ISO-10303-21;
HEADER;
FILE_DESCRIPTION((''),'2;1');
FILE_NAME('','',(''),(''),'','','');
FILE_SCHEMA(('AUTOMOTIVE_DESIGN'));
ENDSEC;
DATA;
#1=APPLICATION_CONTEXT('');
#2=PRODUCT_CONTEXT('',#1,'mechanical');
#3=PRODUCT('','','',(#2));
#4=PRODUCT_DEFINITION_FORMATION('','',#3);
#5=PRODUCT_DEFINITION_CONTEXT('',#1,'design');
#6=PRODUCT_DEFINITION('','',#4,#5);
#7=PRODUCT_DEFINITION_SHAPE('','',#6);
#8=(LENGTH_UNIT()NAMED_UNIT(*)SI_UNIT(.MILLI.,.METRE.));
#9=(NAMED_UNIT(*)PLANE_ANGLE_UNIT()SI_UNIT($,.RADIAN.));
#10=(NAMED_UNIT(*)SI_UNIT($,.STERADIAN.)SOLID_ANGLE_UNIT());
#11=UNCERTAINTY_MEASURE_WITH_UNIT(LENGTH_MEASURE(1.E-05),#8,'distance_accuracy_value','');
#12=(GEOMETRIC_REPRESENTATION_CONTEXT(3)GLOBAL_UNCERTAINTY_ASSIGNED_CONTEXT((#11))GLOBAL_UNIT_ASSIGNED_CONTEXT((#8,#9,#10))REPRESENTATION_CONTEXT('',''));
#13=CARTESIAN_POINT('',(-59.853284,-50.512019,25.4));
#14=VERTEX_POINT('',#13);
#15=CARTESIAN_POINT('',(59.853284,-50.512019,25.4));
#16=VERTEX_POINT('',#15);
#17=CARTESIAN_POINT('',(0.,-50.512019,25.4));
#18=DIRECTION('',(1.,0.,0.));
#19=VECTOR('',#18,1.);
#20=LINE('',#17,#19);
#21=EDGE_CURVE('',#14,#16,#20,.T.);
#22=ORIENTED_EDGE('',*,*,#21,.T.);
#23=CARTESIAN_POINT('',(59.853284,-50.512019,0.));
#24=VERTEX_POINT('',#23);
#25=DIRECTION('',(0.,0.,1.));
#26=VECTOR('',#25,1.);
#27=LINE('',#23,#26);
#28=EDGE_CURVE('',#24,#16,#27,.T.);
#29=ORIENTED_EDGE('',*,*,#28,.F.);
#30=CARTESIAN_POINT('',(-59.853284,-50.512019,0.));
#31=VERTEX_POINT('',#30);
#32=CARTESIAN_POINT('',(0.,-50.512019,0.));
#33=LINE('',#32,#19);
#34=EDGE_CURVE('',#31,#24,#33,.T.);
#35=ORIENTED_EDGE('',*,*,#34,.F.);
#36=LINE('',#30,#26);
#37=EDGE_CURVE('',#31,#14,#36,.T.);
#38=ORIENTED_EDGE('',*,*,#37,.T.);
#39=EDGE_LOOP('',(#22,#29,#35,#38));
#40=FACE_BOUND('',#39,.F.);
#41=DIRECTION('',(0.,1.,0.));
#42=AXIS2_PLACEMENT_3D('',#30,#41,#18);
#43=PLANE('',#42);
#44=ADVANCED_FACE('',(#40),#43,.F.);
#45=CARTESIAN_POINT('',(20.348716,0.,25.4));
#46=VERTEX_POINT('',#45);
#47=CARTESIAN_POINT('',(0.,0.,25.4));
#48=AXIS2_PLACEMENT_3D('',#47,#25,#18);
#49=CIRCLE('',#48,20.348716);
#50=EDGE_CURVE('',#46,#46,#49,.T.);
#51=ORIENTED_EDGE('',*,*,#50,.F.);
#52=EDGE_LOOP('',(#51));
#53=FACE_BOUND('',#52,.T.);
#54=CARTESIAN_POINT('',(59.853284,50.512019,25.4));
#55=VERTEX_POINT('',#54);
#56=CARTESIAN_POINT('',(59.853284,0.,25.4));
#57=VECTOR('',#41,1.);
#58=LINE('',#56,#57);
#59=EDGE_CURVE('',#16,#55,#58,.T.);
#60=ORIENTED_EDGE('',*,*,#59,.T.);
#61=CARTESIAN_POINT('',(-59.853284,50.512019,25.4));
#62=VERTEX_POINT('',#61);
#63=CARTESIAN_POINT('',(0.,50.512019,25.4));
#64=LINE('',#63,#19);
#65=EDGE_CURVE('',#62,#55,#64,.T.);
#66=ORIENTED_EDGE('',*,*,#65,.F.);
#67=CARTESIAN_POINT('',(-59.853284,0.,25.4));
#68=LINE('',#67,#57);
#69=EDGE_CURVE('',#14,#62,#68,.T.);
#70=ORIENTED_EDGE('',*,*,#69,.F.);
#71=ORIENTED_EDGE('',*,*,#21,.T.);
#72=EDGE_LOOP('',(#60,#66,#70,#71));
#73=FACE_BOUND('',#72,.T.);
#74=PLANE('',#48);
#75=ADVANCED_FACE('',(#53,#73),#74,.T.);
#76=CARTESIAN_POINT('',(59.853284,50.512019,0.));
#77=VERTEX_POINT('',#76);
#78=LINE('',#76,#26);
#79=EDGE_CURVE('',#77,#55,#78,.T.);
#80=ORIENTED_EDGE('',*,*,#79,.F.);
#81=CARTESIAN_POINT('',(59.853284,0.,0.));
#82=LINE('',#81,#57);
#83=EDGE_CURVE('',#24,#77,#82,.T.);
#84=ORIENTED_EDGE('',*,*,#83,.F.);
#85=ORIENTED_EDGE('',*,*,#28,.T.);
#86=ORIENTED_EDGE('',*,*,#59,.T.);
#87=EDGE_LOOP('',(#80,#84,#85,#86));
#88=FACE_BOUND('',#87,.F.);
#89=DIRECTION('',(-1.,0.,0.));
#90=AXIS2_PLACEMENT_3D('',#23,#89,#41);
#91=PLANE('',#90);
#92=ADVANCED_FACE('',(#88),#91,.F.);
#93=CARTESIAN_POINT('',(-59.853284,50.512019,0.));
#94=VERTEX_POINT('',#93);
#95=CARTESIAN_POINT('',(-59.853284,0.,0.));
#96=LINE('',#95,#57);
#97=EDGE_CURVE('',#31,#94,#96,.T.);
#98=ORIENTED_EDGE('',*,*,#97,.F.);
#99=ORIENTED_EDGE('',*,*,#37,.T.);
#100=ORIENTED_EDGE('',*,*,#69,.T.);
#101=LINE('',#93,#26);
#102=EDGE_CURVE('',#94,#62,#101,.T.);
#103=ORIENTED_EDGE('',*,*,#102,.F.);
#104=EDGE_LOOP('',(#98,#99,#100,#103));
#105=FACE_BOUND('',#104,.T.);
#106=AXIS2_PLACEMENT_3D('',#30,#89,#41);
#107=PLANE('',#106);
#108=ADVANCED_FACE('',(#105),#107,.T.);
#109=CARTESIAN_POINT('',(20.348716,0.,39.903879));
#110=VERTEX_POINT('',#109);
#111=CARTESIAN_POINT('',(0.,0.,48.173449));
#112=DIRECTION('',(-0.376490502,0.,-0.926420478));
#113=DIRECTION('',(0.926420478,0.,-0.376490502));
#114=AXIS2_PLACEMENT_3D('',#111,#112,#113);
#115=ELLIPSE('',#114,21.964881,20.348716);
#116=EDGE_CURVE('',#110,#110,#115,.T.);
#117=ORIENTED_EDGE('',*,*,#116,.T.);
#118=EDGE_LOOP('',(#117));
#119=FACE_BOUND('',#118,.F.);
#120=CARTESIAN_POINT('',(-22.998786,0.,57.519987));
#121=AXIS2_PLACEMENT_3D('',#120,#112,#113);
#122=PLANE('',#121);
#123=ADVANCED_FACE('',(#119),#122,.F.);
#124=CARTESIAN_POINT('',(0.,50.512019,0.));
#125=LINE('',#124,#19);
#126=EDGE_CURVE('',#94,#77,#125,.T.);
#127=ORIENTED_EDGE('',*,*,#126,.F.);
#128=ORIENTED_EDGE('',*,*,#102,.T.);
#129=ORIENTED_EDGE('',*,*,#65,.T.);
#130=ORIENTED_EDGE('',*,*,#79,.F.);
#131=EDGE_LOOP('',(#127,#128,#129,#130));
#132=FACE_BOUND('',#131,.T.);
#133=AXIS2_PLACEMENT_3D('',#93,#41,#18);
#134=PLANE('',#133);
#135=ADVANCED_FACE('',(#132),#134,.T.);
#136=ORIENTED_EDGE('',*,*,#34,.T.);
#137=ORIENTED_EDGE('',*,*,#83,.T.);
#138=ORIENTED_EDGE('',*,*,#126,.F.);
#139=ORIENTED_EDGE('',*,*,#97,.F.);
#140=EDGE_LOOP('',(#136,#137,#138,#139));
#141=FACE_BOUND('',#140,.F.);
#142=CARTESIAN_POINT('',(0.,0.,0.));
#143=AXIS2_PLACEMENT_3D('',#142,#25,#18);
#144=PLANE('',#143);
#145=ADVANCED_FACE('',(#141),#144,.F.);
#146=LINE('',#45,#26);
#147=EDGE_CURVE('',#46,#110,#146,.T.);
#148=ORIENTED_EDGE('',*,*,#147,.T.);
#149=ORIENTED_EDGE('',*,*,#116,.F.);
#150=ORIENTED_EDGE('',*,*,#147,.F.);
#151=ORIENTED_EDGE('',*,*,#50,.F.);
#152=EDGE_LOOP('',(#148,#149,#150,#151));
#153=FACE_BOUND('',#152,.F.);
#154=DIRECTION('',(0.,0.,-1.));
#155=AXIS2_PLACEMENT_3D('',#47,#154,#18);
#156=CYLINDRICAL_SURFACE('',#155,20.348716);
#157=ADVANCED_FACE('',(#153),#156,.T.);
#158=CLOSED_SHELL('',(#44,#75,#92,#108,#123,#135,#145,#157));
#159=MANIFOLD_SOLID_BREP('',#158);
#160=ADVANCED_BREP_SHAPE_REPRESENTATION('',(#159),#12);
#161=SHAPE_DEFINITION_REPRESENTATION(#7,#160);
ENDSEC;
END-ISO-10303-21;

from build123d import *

# Parameters (mm, degrees)
F0_W     = 119.706568
F0_H     = 101.024038
F1_DEPTH = 25.4
F2_R     = 20.348716
F3_DEPTH = 32.004
F5_DEPTH = 63.5


with BuildPart() as f1:
    # F0 (on Top) → F1 (new body)
    with BuildSketch(Plane.XY):
        Rectangle(F0_W, F0_H)
    extrude(amount=F1_DEPTH)

    # F2 (on face) → F3 (join)
    with BuildSketch(Plane.XY.offset(25.4)):
        Circle(F2_R)
    extrude(amount=F3_DEPTH)

    # F4 (on Front) → F5 (cut, symmetric)
    with BuildSketch(Plane.XZ):
        Polygon((24.732081, 57.519987), (-22.998786, 57.519987), (24.732081, 38.122512), align=None)
    extrude(amount=F5_DEPTH, both=True, mode=Mode.SUBTRACT)


solid = f1.part
